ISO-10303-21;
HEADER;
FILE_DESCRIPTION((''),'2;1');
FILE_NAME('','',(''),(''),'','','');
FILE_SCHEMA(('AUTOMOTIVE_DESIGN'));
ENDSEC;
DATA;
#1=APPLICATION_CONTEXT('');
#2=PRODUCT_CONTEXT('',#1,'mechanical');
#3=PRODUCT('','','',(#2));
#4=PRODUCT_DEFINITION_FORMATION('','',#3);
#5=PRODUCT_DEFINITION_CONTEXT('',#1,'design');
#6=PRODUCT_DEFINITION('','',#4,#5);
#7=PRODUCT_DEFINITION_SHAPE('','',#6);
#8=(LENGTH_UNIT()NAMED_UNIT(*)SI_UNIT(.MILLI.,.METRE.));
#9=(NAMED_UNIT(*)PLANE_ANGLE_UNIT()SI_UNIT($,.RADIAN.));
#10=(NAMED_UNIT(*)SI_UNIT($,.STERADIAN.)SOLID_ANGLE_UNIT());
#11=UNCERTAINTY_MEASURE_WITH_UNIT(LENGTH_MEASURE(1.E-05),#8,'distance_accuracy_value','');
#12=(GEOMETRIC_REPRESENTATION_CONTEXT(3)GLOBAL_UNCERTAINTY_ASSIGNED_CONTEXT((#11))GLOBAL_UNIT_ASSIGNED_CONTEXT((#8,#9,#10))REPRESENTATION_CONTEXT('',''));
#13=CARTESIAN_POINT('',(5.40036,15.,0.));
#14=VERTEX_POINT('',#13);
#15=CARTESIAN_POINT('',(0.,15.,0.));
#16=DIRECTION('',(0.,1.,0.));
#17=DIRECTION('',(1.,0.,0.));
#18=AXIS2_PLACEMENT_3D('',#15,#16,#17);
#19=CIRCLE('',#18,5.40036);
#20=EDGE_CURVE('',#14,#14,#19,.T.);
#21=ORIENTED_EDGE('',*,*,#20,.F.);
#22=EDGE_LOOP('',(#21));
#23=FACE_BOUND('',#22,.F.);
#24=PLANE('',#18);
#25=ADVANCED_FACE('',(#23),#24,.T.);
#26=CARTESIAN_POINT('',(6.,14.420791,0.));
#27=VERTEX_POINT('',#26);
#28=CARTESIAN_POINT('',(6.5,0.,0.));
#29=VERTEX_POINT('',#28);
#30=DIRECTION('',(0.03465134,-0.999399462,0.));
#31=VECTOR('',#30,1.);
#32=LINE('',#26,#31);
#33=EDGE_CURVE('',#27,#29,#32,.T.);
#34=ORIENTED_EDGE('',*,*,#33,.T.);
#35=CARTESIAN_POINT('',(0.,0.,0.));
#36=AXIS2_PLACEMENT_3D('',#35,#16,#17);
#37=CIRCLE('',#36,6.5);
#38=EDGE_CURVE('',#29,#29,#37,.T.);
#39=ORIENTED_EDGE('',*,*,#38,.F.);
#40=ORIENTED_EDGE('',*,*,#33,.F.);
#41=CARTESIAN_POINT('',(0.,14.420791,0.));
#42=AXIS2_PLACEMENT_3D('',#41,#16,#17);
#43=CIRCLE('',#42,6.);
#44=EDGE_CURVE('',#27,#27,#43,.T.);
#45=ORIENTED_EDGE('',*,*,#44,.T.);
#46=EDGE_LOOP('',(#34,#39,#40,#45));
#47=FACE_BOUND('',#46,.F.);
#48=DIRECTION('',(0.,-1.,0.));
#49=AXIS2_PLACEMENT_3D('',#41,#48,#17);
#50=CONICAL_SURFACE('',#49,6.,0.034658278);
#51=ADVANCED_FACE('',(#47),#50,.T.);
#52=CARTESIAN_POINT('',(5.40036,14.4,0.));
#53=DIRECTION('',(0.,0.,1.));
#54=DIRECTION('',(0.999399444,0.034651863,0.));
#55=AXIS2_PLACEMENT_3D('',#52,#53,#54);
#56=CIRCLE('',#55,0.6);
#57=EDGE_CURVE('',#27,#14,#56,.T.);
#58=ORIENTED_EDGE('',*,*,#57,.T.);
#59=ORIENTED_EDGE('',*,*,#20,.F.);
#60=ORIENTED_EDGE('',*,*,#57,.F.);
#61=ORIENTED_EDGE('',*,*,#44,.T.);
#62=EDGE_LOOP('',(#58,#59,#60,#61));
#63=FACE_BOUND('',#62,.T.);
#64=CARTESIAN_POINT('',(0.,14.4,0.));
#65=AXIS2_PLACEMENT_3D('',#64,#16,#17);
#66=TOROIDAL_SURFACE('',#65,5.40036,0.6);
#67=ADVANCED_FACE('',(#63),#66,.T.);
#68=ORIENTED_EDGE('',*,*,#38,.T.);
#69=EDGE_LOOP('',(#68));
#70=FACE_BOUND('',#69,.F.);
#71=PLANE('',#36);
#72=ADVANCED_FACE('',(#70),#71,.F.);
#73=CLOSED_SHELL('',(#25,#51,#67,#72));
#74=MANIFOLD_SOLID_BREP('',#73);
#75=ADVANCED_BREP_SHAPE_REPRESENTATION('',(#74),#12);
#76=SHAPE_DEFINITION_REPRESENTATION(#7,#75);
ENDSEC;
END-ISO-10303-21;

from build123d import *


with BuildPart() as part:
    # Sketch → Revolution (revolve)
    with BuildSketch(Plane.XY):
        with BuildLine():
            Line((0, 0), (0, 15))
            Line((0, 15), (5.40036, 15))
            ThreePointArc((6, 14.420791), (5.817209, 14.831552), (5.40036, 15))
            Line((6, 14.420791), (6.5, 0))
            Line((6.5, 0), (0, 0))
        make_face()
    revolve(axis=Axis((0, 0, 0), (0, 1, 0)))


solid = part.part
